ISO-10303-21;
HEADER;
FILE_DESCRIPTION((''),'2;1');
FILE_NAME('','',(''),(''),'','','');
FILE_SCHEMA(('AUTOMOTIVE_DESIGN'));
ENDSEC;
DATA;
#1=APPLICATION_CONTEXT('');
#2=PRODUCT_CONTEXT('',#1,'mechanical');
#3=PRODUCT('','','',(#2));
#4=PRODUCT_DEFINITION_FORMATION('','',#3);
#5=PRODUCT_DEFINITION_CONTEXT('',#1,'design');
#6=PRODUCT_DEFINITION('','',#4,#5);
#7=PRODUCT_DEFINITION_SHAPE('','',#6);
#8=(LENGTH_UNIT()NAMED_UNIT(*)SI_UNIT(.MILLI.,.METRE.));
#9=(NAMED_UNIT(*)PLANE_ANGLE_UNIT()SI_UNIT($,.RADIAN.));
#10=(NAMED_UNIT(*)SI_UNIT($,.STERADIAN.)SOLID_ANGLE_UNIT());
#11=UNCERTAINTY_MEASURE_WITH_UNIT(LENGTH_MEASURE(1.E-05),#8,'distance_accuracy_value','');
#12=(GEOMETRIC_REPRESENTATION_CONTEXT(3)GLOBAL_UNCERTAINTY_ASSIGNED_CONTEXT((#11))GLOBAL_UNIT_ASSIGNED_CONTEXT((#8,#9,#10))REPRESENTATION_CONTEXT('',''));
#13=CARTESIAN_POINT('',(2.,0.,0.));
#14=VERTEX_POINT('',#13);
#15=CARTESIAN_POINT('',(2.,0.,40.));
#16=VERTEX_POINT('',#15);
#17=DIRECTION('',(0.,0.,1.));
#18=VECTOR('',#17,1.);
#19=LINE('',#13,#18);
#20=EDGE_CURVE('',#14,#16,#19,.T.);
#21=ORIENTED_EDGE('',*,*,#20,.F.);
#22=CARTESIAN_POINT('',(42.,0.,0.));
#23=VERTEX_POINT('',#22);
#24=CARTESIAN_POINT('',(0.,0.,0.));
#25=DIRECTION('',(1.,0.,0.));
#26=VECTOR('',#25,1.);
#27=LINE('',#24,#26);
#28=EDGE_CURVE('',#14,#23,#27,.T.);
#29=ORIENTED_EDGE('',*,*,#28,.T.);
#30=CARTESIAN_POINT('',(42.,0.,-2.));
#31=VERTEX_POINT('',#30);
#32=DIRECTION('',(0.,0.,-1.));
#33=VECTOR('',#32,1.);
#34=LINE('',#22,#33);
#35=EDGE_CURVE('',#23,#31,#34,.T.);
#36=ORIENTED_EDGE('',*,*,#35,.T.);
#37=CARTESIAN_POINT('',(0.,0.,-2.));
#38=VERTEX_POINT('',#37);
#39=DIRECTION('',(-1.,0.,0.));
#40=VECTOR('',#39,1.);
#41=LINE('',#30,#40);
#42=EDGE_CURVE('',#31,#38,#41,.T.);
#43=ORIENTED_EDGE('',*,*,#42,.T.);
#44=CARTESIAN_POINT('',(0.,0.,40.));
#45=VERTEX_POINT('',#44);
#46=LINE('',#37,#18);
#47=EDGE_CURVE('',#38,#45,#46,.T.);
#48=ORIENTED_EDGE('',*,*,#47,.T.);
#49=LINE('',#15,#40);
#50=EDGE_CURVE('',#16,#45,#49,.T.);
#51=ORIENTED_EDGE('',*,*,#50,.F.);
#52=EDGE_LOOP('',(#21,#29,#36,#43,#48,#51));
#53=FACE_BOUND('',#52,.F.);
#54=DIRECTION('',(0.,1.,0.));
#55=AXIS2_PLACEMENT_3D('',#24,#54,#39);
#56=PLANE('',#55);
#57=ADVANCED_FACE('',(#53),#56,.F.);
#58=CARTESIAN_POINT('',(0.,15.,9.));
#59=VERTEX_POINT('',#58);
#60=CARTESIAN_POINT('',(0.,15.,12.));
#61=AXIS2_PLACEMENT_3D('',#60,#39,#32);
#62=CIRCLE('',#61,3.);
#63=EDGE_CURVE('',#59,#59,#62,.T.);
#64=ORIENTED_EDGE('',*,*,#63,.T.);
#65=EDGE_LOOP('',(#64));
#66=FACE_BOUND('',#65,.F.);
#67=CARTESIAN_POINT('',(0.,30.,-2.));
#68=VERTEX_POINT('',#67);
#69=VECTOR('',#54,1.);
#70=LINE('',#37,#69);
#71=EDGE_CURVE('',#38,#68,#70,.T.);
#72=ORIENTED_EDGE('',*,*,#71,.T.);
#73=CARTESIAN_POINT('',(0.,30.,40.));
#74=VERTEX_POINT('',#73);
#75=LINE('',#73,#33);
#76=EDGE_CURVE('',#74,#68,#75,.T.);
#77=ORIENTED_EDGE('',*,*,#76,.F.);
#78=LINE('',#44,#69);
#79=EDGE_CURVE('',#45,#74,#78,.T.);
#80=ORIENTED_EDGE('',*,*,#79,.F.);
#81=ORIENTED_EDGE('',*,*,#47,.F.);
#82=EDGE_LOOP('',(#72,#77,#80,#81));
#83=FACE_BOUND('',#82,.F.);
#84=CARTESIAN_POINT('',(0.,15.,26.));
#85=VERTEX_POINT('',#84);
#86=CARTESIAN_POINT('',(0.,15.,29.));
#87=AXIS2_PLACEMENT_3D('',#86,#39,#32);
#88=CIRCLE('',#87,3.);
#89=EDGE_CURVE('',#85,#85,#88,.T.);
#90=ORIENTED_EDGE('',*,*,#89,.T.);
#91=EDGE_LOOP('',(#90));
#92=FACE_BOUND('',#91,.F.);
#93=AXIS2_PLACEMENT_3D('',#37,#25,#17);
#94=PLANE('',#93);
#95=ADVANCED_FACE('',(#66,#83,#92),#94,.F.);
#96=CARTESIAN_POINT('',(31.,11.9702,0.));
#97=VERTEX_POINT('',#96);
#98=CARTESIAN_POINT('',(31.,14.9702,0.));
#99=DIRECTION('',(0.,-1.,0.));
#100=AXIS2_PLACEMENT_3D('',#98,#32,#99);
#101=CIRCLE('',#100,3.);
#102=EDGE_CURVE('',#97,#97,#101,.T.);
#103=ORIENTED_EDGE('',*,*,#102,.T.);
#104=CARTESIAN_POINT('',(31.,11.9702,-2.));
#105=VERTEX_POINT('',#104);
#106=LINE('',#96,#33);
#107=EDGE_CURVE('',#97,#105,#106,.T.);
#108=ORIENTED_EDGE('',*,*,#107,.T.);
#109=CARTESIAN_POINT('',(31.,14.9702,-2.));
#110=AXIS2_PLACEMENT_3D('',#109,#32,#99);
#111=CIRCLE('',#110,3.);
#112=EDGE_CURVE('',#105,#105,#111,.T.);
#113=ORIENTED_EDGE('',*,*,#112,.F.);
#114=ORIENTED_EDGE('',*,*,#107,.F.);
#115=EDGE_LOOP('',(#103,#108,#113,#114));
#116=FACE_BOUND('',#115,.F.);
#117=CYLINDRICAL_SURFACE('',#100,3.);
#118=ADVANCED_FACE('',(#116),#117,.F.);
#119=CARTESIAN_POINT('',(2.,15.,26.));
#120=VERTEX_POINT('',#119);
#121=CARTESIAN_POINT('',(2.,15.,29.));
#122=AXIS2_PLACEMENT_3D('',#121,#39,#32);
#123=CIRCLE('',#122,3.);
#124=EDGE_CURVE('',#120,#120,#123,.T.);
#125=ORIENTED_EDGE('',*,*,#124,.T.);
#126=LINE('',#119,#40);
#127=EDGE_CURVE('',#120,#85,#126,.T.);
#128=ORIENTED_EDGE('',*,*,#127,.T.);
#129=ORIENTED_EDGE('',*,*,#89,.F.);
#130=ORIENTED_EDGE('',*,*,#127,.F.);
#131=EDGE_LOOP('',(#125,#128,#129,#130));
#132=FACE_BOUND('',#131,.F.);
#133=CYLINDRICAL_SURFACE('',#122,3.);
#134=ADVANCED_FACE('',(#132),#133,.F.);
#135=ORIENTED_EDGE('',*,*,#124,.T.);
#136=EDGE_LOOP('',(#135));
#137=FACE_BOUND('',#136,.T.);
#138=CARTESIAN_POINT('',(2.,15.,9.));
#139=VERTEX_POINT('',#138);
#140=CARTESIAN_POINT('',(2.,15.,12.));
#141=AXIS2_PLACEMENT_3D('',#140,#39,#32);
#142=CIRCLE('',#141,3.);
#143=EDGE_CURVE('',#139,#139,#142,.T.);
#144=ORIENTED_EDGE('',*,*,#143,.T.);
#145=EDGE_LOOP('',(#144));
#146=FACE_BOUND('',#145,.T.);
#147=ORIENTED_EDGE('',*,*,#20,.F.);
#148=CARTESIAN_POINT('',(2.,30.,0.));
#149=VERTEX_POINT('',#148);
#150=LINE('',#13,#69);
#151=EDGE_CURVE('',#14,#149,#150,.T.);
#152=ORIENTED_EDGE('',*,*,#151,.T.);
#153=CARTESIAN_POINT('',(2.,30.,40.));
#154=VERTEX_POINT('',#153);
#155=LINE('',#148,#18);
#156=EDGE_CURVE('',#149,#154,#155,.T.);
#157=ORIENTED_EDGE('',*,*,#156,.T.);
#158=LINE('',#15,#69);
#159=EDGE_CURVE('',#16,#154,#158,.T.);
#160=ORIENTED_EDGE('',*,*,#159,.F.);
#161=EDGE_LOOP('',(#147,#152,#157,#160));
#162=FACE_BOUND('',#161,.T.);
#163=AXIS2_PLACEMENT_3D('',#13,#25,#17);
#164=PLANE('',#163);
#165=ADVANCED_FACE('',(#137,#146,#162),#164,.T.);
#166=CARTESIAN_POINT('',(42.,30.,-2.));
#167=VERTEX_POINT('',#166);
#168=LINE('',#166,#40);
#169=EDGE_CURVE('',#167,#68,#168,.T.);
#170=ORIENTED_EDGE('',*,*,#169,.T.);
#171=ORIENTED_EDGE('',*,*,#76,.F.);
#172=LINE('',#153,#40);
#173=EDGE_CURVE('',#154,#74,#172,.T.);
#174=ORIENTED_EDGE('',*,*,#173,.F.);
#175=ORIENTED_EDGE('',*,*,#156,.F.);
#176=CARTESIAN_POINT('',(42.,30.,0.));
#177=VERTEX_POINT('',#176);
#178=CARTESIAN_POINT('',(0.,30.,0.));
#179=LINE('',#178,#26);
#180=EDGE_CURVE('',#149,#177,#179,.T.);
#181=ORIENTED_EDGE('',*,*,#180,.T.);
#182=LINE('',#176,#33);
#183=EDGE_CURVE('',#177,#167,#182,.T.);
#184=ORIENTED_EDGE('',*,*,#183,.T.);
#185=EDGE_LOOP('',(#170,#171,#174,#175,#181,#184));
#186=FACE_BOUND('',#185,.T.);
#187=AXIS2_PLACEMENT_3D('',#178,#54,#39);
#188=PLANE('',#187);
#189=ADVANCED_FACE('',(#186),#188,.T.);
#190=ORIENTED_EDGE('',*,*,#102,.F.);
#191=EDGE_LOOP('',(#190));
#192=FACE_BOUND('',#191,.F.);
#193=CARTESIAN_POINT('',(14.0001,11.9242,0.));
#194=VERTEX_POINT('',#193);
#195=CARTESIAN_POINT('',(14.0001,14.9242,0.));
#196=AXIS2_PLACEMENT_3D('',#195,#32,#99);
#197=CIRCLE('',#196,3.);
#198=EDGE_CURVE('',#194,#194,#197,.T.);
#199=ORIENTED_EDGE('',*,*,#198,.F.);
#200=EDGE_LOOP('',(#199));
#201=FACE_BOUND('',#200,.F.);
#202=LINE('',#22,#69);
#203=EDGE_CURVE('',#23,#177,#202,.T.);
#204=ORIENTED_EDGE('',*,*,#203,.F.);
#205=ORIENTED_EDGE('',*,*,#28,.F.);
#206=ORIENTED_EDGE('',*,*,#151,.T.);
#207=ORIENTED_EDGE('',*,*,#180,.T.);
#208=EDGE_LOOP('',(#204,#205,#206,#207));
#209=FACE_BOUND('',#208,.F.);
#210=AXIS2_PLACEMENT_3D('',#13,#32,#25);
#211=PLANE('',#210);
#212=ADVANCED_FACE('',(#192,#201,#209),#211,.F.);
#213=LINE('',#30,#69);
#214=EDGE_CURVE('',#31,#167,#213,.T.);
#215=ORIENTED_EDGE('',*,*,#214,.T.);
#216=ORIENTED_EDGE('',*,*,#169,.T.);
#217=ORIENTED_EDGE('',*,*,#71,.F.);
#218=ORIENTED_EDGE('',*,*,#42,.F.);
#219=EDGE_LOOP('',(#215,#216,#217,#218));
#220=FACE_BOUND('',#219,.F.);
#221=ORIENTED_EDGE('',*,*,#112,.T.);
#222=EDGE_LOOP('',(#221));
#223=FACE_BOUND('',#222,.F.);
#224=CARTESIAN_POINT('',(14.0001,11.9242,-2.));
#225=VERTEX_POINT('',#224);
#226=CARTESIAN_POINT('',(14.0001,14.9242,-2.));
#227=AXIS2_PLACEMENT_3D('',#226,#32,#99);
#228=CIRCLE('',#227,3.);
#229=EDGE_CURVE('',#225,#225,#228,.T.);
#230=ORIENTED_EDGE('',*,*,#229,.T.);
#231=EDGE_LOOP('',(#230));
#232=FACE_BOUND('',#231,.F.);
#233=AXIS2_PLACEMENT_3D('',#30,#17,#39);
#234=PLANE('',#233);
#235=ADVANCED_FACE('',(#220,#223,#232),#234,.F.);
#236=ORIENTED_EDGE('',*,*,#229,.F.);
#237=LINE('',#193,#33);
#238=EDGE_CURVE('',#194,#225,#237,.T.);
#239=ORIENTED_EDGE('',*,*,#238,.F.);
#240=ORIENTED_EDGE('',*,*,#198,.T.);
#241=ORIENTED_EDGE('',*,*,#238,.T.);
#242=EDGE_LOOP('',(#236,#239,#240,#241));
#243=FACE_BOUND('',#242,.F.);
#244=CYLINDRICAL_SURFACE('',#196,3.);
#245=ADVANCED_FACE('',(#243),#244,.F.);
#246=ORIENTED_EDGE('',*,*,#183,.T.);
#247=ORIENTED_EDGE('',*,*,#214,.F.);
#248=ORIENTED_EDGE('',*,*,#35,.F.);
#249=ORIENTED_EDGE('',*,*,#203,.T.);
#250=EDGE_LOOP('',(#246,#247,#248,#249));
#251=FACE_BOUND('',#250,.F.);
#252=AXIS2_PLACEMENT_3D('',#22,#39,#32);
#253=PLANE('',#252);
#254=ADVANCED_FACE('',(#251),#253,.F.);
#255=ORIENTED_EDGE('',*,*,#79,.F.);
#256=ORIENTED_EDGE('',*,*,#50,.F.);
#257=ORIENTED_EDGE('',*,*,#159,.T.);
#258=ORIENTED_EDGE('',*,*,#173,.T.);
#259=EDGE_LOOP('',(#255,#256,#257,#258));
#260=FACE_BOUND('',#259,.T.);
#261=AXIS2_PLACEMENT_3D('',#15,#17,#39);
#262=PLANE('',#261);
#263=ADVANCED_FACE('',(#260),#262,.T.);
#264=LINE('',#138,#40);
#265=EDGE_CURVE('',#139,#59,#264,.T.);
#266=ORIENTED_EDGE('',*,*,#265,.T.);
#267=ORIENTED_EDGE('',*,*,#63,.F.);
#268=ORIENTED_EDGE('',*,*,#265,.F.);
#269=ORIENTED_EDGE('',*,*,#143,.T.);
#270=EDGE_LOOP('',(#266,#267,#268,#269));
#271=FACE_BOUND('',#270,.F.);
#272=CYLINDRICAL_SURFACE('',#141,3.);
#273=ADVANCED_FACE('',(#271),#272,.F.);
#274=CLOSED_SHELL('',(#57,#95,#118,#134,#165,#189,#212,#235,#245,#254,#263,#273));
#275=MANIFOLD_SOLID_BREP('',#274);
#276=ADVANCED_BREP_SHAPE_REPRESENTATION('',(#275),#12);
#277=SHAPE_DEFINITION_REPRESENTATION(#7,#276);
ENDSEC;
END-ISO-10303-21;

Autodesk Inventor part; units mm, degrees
ref_plane "YZ Plane" through (0, 0, 0) normal (1, 0, 0) x (0, 1, 0)
ref_plane "XZ Plane" through (0, 0, 0) normal (0, 1, 0) x (-1, 0, 0)
ref_plane "XY Plane" through (0, 0, 0) normal (0, 0, 1) x (1, 0, 0)
sketch "Sketch1" plane through (0, 0, 0) normal (0, 1, 0) x (-1, 0, 0)
  line L0 (0, 0) -> (-2, 0)
  line L1 (-2, 0) -> (-2, 40)
  line L2 (-2, 40) -> (0, 40)
  line L3 (0, 40) -> (0, 0)
  line L4 (0, 0) -> (-42, 0)
  line L5 (-42, 0) -> (-42, -2)
  line L6 (-42, -2) -> (0, -2)
  line L7 (0, -2) -> (0, 0)
  dimension "d0" = 2
  dimension "d1" = 40
  dimension "d2" = 42
  dimension "d3" = 2
extrude "Extrusion1" add sketch "Sketch1" along normal blind 30
sketch "Sketch2" plane through (2, 0, 0) normal (0, 0, 1) x (1, 0, 0)
  line L0 (40.0406, 0) -> (40, 14.9999)
  line L1 (40, 0) -> (40, 30) projected
  line L2 (40, 14.9999) -> (29, 14.9702)
  line L3 (29, 14.9702) -> (12.0001, 14.9242)
  point P0 (-2, 0)
  dimension "d6" = 15
  dimension "d7" = 11
  dimension "d8" = 17
hole "Hole1" at (31, 14.9702, 0) at (14.0001, 14.9242, 0) direction (0, 0, -1) diameter 6 end through all
sketch "Sketch3" plane through (2, 0, 40) normal (1, 0, 0) x (0, 0, -1)
  line L0 (0, 0) -> (0, 30) projected
  line L1 (0, 0) -> (0, 15)
  line L2 (0, 15) -> (11, 15)
  line L3 (11, 15) -> (28, 15)
  point P0 (40, 0)
  dimension "d16" = 15
  dimension "d17" = 11
  dimension "d18" = 17
hole "Hole2" at (2, 15, 29) at (2, 15, 12) direction (-1, 0, 0) diameter 6 end through all
properties part number "3030_L-Bracket" material "Aluminum 6061"
